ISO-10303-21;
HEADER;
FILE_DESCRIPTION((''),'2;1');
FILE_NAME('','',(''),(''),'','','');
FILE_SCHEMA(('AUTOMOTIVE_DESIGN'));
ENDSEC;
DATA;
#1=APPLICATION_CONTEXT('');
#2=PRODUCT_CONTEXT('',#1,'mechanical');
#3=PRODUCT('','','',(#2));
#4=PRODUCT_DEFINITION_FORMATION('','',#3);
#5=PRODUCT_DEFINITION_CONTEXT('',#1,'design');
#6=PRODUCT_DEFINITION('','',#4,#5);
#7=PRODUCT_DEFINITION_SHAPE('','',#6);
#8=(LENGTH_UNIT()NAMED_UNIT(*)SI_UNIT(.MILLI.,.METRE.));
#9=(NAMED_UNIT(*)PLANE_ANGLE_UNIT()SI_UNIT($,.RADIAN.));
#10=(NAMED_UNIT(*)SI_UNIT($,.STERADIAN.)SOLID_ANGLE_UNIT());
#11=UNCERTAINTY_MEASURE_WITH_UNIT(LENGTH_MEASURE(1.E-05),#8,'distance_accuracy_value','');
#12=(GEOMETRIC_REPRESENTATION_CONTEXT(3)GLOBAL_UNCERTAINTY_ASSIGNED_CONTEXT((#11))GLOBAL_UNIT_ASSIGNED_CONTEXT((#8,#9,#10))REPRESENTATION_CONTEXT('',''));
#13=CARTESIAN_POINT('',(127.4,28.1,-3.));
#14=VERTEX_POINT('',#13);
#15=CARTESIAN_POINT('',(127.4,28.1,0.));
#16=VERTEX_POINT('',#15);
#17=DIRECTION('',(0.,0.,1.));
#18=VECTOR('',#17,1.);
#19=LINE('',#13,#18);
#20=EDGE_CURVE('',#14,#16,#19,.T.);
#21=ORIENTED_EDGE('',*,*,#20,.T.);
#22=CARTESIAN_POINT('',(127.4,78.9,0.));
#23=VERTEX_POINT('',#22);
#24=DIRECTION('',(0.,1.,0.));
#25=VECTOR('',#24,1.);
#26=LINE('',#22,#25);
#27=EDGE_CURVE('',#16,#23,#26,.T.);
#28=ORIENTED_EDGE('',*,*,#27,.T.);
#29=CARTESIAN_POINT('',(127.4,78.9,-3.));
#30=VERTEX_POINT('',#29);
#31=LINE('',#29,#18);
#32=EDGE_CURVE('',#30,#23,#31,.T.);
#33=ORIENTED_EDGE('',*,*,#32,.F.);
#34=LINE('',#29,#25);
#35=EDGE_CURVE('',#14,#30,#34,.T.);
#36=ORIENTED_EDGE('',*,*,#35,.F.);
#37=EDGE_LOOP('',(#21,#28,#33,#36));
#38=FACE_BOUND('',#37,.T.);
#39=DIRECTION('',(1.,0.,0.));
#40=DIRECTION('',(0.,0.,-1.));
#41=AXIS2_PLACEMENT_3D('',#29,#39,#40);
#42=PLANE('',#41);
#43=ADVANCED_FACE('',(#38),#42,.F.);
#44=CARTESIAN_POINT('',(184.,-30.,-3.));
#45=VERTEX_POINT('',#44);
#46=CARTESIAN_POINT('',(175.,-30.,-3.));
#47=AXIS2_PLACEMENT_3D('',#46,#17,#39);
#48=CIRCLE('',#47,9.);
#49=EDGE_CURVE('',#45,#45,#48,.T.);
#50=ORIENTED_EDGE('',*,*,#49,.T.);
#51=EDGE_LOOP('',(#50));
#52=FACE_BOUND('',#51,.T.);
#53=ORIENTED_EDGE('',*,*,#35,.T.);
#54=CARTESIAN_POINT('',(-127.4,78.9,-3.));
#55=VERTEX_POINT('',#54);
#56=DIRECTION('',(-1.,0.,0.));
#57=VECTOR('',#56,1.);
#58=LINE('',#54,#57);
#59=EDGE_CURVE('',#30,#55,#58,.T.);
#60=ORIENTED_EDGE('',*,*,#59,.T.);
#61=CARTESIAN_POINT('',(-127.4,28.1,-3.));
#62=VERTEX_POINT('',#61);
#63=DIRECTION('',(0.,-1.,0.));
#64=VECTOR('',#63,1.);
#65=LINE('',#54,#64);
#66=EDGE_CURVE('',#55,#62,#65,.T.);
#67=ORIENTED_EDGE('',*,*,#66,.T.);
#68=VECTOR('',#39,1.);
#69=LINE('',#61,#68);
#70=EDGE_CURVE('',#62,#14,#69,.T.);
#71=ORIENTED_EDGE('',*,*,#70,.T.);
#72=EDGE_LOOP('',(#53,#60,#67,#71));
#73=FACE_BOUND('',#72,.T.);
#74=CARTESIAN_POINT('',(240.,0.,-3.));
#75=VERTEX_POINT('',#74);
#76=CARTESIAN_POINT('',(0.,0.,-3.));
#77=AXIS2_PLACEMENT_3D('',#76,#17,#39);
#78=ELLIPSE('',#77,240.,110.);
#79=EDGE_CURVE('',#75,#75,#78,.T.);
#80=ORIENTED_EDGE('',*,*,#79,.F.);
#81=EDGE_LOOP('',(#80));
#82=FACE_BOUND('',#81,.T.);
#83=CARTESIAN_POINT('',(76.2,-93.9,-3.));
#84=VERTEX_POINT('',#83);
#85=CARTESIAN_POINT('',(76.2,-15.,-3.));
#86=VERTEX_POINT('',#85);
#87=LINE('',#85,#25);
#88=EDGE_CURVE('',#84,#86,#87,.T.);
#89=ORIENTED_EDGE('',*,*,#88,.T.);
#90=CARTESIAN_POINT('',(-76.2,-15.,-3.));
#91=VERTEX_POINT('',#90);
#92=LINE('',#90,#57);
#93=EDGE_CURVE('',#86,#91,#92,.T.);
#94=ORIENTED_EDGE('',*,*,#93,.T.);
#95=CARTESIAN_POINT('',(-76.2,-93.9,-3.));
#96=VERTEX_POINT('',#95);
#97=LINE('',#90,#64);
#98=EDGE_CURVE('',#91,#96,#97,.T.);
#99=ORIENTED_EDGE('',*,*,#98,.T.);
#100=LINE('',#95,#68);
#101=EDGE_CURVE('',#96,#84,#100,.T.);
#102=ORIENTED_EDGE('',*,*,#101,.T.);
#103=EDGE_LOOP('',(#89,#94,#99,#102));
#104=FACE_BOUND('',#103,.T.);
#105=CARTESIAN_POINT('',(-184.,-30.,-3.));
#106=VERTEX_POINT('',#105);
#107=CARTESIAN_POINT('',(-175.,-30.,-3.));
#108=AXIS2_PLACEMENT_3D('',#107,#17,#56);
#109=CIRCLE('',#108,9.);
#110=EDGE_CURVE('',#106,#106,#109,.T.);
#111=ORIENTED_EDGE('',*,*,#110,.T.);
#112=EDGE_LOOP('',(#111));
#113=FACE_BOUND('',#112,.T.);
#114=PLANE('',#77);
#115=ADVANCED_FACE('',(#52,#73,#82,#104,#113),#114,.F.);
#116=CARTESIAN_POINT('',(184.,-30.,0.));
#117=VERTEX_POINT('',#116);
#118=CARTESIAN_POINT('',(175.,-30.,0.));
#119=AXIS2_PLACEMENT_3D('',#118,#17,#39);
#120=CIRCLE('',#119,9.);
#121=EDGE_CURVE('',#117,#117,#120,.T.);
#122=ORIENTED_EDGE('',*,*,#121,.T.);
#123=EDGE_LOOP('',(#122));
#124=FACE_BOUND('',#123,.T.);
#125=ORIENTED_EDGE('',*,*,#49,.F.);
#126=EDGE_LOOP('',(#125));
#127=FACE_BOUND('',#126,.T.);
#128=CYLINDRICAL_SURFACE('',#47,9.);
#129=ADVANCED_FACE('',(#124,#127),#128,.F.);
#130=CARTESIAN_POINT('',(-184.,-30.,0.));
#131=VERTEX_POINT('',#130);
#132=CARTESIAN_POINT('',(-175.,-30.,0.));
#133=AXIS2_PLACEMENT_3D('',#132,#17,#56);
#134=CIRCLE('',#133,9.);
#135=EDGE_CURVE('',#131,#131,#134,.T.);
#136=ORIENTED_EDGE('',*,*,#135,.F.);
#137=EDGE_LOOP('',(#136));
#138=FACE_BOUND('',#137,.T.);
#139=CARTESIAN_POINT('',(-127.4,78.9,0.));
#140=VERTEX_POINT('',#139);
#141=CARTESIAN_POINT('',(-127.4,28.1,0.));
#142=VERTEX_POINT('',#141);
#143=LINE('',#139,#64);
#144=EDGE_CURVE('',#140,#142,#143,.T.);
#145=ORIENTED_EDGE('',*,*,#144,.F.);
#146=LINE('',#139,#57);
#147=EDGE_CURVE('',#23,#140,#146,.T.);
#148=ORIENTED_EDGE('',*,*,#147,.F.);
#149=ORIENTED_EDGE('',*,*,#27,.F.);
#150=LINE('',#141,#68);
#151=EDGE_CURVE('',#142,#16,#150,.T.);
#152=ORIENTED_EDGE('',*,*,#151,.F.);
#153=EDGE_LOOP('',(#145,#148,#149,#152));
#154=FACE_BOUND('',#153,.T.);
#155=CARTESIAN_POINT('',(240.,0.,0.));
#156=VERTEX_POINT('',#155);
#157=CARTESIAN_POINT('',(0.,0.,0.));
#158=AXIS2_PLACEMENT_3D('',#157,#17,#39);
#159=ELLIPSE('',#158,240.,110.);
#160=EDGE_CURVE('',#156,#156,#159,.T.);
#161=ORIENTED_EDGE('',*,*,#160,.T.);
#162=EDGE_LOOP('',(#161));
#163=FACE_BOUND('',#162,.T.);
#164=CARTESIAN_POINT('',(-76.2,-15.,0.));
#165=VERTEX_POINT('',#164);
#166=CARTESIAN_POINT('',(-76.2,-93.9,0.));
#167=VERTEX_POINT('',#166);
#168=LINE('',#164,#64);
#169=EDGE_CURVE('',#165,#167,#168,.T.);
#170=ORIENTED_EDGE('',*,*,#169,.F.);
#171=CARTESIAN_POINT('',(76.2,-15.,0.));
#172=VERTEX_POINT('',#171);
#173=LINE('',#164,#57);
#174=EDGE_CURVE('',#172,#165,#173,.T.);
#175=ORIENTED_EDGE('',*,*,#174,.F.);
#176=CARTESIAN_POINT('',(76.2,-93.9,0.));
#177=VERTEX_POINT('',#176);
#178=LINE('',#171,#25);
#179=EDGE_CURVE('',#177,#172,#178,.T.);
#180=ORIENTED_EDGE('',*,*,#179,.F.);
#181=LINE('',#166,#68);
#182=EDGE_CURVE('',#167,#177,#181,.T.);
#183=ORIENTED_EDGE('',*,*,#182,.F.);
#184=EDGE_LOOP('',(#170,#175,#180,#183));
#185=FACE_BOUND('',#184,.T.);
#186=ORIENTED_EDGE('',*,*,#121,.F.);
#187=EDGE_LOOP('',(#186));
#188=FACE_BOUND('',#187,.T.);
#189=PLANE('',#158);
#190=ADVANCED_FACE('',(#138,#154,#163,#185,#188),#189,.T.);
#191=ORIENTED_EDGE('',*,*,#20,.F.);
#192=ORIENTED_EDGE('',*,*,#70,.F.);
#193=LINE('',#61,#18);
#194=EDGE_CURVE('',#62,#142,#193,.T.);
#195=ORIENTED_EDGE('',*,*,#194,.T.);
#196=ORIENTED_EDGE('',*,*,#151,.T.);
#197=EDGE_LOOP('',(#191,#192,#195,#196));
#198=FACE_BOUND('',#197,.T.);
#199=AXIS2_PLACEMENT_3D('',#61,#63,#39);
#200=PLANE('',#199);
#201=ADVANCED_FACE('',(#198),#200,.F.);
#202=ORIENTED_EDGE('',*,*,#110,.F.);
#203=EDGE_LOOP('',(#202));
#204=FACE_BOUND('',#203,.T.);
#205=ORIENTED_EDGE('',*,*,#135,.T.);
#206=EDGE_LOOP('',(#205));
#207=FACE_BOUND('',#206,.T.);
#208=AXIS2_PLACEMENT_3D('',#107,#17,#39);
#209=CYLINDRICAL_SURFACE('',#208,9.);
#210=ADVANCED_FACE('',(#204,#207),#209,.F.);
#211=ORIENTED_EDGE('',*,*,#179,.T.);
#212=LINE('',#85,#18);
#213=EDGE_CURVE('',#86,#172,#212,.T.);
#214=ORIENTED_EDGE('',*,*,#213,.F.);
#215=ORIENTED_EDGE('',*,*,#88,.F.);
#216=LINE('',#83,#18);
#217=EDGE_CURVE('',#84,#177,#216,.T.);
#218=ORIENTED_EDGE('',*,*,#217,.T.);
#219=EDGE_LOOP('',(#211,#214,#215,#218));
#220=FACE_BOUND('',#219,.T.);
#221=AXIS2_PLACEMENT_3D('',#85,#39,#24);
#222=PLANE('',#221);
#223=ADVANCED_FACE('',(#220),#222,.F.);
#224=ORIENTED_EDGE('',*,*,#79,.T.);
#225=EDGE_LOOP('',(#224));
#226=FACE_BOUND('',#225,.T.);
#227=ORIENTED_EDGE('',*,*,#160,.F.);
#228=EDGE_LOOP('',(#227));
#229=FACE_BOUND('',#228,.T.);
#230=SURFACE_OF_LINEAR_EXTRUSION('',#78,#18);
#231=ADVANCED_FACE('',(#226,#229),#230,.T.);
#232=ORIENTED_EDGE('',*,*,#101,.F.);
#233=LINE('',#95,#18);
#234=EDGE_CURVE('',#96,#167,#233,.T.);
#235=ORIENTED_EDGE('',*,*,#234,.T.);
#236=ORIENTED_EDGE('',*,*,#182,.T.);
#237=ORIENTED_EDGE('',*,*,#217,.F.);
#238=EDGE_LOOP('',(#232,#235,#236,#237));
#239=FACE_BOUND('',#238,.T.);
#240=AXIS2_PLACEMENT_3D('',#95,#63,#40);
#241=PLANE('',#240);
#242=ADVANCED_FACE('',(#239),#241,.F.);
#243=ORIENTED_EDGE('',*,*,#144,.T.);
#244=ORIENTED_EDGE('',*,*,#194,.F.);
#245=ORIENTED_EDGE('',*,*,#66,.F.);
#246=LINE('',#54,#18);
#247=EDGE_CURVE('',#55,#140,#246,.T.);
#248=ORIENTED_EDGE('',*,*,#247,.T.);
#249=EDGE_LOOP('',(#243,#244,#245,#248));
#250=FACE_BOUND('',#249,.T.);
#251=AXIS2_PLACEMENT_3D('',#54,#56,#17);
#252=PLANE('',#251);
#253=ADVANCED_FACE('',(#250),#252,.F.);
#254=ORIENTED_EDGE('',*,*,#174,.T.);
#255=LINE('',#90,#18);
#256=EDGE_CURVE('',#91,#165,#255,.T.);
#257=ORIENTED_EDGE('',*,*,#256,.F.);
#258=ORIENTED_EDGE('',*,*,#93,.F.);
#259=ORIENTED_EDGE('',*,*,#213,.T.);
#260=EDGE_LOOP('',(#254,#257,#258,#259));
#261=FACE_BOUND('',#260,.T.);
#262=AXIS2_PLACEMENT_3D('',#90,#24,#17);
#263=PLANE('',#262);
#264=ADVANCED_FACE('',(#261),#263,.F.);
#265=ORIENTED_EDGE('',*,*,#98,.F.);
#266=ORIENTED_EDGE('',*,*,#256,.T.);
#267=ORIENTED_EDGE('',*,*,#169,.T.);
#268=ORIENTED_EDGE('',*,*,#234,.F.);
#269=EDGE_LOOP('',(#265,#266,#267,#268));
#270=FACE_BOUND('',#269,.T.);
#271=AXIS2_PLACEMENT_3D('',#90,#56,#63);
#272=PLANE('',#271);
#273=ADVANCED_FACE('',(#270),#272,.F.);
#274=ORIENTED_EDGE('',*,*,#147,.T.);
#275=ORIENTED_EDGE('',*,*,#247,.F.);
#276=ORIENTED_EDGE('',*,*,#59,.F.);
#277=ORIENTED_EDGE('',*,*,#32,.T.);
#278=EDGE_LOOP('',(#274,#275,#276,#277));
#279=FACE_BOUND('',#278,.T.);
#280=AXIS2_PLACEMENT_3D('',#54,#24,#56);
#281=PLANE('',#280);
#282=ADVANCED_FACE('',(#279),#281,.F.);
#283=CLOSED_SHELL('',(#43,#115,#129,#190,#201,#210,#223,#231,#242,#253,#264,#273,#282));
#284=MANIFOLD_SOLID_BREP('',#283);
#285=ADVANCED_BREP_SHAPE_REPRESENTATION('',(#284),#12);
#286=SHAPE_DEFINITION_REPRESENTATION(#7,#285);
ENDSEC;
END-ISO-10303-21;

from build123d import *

# Parameters (mm, degrees)
SKETCH1_RX          = 240
SKETCH1_RY          = 110
BOSS_EXTRUDE1_DEPTH = 3
SKETCH10_W          = 254.8
SKETCH10_H          = 50.8
CUT_EXTRUDE5_DEPTH  = 265.024620064
SKETCH13_W          = 152.4
SKETCH13_H          = 78.9
CUT_EXTRUDE7_DEPTH  = 265.024620064
SKETCH12_R          = 9
CUT_EXTRUDE8_DEPTH  = 265.024620064


with BuildPart() as part:
    # Sketch1 → Boss-Extrude1 (new body)
    with BuildSketch(Plane.XY):
        with Locations((0, 0)):
            Ellipse(SKETCH1_RX, SKETCH1_RY)
    extrude(amount=-BOSS_EXTRUDE1_DEPTH)

    # Sketch10 → Cut-Extrude5 (cut, through all)
    with BuildSketch(Plane.XY):
        with Locations((0, 53.5)):
            Rectangle(SKETCH10_W, SKETCH10_H)
    extrude(amount=-CUT_EXTRUDE5_DEPTH, mode=Mode.SUBTRACT)

    # Sketch13 → Cut-Extrude7 (cut, through all)
    with BuildSketch(Plane.XY):
        with Locations((0, -54.45)):
            Rectangle(SKETCH13_W, SKETCH13_H)
    extrude(amount=-CUT_EXTRUDE7_DEPTH, mode=Mode.SUBTRACT)

    # Sketch12 → Cut-Extrude8 (cut, through all)
    with BuildSketch(Plane.XY):
        with Locations((175, -30)):
            Circle(SKETCH12_R)
        with Locations(Location((-175, -30, 0), (0, 0, 180))):
            Circle(SKETCH12_R)
    extrude(amount=-CUT_EXTRUDE8_DEPTH, mode=Mode.SUBTRACT)


solid = part.part
